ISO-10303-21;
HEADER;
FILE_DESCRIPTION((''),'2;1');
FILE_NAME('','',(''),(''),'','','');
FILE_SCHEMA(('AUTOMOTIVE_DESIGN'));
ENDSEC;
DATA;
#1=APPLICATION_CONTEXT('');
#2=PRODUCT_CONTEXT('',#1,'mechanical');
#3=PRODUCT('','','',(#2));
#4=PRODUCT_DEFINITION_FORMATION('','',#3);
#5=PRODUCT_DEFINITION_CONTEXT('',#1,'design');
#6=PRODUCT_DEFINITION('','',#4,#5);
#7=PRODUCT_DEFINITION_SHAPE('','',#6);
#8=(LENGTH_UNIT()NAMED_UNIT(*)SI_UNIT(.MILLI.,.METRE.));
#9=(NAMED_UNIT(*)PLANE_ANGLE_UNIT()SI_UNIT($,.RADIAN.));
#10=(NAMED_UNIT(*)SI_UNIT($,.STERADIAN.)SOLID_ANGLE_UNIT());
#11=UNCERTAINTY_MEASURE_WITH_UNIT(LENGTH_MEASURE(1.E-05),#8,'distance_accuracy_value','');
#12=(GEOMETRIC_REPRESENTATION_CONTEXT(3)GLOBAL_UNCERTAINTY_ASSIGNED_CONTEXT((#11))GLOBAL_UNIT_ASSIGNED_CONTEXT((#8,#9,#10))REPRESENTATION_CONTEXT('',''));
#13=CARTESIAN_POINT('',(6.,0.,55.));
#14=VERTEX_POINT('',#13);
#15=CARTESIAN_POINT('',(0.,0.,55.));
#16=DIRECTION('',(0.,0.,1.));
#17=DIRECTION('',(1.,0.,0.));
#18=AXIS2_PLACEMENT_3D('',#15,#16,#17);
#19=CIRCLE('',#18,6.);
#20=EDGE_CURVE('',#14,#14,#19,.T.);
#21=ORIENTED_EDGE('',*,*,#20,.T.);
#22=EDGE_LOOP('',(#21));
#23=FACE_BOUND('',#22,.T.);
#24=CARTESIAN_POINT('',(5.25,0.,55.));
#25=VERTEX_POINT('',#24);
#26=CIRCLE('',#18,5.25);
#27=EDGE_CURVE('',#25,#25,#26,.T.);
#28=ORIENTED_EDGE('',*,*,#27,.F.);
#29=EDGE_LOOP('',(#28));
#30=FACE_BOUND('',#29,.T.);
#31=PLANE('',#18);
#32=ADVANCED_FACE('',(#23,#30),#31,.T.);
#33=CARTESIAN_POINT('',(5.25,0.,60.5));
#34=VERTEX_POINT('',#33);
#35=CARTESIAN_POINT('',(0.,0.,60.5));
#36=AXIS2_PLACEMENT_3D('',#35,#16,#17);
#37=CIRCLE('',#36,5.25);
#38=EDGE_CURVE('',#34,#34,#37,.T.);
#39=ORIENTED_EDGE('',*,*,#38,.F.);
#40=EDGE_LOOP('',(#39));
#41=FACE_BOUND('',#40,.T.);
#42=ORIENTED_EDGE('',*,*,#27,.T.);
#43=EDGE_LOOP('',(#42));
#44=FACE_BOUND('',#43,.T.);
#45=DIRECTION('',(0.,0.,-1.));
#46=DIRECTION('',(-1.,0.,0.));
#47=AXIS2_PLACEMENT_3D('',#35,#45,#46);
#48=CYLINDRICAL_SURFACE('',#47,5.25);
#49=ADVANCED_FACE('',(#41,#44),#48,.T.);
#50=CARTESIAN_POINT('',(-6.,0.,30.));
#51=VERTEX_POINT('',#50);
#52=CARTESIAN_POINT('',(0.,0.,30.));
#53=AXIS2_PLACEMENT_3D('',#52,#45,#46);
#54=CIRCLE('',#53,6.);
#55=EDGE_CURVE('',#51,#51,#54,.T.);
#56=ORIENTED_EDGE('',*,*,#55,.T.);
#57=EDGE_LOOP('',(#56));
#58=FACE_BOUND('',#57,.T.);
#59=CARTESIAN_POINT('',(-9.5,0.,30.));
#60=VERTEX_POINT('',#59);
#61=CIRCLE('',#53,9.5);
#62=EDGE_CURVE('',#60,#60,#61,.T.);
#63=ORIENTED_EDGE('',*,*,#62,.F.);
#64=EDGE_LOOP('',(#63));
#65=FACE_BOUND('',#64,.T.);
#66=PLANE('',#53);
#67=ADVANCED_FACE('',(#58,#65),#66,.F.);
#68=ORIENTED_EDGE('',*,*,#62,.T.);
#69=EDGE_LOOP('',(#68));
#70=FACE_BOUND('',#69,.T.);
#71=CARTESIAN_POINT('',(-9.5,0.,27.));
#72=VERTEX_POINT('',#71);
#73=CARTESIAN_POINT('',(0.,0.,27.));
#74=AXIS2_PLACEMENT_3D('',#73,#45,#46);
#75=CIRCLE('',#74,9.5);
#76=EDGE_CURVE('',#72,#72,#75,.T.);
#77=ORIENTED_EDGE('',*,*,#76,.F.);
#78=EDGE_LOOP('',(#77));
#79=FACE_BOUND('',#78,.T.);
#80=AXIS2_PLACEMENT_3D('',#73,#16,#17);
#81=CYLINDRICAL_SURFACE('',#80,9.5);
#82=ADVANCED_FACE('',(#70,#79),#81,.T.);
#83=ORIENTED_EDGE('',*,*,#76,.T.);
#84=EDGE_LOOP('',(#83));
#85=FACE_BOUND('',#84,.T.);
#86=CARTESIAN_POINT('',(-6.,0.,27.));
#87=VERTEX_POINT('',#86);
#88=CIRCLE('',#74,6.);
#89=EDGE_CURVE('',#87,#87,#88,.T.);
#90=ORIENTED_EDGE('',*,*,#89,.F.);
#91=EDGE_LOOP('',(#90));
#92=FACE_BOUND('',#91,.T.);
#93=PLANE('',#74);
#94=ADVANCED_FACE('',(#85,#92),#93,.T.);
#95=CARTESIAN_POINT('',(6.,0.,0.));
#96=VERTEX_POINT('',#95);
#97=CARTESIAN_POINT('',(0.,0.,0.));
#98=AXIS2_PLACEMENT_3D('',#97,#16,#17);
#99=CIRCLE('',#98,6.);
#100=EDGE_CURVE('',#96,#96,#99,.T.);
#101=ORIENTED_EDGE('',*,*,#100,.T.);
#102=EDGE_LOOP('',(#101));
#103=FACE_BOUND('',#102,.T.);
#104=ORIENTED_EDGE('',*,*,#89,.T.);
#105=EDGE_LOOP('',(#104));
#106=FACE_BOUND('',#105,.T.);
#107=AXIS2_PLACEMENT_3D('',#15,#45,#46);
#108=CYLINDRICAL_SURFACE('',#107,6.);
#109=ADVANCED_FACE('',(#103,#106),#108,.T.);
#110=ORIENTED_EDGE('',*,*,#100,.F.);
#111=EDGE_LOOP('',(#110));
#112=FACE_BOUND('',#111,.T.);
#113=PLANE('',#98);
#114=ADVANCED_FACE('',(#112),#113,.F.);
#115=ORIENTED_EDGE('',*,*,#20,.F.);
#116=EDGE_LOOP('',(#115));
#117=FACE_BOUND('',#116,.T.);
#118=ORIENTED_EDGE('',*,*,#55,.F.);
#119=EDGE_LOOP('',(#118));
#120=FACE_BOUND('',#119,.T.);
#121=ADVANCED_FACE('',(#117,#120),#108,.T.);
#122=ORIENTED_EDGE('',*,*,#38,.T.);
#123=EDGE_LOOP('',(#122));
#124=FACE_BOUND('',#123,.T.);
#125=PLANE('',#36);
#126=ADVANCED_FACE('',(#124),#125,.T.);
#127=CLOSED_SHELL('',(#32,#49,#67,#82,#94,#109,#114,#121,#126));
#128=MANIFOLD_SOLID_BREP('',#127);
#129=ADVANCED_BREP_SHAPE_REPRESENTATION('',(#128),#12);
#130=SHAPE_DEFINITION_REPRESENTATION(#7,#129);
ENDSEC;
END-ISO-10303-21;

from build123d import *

# Parameters (mm, degrees)
SKETCH_1_R      = 6
EXTRUDE_1_DEPTH = 55
SKETCH_2_R      = 5.25
EXTRUDE_2_DEPTH = 5.5
EXTRUDE_START   = -30
SKETCH_3_R      = 9.5
EXTRUDE_3_DEPTH = 3


with BuildPart() as part:
    # Эскиз1 → Бобышка-Вытянуть1 (new body)
    with BuildSketch(Plane.XY):
        Circle(SKETCH_1_R)
    extrude(amount=EXTRUDE_1_DEPTH)

    # Эскиз2 → Бобышка-Вытянуть2 (add)
    with BuildSketch(Plane.XY.offset(55)):
        Circle(SKETCH_2_R)
    extrude(amount=EXTRUDE_2_DEPTH)

    # Эскиз3 → Бобышка-Вытянуть3 (add)
    with BuildSketch(Plane(origin=(0, 0, 0), x_dir=(-1, 0, 0), z_dir=(0, 0, -1)).offset(EXTRUDE_START)):
        Circle(SKETCH_3_R)
    extrude(amount=EXTRUDE_3_DEPTH)


solid = part.part
